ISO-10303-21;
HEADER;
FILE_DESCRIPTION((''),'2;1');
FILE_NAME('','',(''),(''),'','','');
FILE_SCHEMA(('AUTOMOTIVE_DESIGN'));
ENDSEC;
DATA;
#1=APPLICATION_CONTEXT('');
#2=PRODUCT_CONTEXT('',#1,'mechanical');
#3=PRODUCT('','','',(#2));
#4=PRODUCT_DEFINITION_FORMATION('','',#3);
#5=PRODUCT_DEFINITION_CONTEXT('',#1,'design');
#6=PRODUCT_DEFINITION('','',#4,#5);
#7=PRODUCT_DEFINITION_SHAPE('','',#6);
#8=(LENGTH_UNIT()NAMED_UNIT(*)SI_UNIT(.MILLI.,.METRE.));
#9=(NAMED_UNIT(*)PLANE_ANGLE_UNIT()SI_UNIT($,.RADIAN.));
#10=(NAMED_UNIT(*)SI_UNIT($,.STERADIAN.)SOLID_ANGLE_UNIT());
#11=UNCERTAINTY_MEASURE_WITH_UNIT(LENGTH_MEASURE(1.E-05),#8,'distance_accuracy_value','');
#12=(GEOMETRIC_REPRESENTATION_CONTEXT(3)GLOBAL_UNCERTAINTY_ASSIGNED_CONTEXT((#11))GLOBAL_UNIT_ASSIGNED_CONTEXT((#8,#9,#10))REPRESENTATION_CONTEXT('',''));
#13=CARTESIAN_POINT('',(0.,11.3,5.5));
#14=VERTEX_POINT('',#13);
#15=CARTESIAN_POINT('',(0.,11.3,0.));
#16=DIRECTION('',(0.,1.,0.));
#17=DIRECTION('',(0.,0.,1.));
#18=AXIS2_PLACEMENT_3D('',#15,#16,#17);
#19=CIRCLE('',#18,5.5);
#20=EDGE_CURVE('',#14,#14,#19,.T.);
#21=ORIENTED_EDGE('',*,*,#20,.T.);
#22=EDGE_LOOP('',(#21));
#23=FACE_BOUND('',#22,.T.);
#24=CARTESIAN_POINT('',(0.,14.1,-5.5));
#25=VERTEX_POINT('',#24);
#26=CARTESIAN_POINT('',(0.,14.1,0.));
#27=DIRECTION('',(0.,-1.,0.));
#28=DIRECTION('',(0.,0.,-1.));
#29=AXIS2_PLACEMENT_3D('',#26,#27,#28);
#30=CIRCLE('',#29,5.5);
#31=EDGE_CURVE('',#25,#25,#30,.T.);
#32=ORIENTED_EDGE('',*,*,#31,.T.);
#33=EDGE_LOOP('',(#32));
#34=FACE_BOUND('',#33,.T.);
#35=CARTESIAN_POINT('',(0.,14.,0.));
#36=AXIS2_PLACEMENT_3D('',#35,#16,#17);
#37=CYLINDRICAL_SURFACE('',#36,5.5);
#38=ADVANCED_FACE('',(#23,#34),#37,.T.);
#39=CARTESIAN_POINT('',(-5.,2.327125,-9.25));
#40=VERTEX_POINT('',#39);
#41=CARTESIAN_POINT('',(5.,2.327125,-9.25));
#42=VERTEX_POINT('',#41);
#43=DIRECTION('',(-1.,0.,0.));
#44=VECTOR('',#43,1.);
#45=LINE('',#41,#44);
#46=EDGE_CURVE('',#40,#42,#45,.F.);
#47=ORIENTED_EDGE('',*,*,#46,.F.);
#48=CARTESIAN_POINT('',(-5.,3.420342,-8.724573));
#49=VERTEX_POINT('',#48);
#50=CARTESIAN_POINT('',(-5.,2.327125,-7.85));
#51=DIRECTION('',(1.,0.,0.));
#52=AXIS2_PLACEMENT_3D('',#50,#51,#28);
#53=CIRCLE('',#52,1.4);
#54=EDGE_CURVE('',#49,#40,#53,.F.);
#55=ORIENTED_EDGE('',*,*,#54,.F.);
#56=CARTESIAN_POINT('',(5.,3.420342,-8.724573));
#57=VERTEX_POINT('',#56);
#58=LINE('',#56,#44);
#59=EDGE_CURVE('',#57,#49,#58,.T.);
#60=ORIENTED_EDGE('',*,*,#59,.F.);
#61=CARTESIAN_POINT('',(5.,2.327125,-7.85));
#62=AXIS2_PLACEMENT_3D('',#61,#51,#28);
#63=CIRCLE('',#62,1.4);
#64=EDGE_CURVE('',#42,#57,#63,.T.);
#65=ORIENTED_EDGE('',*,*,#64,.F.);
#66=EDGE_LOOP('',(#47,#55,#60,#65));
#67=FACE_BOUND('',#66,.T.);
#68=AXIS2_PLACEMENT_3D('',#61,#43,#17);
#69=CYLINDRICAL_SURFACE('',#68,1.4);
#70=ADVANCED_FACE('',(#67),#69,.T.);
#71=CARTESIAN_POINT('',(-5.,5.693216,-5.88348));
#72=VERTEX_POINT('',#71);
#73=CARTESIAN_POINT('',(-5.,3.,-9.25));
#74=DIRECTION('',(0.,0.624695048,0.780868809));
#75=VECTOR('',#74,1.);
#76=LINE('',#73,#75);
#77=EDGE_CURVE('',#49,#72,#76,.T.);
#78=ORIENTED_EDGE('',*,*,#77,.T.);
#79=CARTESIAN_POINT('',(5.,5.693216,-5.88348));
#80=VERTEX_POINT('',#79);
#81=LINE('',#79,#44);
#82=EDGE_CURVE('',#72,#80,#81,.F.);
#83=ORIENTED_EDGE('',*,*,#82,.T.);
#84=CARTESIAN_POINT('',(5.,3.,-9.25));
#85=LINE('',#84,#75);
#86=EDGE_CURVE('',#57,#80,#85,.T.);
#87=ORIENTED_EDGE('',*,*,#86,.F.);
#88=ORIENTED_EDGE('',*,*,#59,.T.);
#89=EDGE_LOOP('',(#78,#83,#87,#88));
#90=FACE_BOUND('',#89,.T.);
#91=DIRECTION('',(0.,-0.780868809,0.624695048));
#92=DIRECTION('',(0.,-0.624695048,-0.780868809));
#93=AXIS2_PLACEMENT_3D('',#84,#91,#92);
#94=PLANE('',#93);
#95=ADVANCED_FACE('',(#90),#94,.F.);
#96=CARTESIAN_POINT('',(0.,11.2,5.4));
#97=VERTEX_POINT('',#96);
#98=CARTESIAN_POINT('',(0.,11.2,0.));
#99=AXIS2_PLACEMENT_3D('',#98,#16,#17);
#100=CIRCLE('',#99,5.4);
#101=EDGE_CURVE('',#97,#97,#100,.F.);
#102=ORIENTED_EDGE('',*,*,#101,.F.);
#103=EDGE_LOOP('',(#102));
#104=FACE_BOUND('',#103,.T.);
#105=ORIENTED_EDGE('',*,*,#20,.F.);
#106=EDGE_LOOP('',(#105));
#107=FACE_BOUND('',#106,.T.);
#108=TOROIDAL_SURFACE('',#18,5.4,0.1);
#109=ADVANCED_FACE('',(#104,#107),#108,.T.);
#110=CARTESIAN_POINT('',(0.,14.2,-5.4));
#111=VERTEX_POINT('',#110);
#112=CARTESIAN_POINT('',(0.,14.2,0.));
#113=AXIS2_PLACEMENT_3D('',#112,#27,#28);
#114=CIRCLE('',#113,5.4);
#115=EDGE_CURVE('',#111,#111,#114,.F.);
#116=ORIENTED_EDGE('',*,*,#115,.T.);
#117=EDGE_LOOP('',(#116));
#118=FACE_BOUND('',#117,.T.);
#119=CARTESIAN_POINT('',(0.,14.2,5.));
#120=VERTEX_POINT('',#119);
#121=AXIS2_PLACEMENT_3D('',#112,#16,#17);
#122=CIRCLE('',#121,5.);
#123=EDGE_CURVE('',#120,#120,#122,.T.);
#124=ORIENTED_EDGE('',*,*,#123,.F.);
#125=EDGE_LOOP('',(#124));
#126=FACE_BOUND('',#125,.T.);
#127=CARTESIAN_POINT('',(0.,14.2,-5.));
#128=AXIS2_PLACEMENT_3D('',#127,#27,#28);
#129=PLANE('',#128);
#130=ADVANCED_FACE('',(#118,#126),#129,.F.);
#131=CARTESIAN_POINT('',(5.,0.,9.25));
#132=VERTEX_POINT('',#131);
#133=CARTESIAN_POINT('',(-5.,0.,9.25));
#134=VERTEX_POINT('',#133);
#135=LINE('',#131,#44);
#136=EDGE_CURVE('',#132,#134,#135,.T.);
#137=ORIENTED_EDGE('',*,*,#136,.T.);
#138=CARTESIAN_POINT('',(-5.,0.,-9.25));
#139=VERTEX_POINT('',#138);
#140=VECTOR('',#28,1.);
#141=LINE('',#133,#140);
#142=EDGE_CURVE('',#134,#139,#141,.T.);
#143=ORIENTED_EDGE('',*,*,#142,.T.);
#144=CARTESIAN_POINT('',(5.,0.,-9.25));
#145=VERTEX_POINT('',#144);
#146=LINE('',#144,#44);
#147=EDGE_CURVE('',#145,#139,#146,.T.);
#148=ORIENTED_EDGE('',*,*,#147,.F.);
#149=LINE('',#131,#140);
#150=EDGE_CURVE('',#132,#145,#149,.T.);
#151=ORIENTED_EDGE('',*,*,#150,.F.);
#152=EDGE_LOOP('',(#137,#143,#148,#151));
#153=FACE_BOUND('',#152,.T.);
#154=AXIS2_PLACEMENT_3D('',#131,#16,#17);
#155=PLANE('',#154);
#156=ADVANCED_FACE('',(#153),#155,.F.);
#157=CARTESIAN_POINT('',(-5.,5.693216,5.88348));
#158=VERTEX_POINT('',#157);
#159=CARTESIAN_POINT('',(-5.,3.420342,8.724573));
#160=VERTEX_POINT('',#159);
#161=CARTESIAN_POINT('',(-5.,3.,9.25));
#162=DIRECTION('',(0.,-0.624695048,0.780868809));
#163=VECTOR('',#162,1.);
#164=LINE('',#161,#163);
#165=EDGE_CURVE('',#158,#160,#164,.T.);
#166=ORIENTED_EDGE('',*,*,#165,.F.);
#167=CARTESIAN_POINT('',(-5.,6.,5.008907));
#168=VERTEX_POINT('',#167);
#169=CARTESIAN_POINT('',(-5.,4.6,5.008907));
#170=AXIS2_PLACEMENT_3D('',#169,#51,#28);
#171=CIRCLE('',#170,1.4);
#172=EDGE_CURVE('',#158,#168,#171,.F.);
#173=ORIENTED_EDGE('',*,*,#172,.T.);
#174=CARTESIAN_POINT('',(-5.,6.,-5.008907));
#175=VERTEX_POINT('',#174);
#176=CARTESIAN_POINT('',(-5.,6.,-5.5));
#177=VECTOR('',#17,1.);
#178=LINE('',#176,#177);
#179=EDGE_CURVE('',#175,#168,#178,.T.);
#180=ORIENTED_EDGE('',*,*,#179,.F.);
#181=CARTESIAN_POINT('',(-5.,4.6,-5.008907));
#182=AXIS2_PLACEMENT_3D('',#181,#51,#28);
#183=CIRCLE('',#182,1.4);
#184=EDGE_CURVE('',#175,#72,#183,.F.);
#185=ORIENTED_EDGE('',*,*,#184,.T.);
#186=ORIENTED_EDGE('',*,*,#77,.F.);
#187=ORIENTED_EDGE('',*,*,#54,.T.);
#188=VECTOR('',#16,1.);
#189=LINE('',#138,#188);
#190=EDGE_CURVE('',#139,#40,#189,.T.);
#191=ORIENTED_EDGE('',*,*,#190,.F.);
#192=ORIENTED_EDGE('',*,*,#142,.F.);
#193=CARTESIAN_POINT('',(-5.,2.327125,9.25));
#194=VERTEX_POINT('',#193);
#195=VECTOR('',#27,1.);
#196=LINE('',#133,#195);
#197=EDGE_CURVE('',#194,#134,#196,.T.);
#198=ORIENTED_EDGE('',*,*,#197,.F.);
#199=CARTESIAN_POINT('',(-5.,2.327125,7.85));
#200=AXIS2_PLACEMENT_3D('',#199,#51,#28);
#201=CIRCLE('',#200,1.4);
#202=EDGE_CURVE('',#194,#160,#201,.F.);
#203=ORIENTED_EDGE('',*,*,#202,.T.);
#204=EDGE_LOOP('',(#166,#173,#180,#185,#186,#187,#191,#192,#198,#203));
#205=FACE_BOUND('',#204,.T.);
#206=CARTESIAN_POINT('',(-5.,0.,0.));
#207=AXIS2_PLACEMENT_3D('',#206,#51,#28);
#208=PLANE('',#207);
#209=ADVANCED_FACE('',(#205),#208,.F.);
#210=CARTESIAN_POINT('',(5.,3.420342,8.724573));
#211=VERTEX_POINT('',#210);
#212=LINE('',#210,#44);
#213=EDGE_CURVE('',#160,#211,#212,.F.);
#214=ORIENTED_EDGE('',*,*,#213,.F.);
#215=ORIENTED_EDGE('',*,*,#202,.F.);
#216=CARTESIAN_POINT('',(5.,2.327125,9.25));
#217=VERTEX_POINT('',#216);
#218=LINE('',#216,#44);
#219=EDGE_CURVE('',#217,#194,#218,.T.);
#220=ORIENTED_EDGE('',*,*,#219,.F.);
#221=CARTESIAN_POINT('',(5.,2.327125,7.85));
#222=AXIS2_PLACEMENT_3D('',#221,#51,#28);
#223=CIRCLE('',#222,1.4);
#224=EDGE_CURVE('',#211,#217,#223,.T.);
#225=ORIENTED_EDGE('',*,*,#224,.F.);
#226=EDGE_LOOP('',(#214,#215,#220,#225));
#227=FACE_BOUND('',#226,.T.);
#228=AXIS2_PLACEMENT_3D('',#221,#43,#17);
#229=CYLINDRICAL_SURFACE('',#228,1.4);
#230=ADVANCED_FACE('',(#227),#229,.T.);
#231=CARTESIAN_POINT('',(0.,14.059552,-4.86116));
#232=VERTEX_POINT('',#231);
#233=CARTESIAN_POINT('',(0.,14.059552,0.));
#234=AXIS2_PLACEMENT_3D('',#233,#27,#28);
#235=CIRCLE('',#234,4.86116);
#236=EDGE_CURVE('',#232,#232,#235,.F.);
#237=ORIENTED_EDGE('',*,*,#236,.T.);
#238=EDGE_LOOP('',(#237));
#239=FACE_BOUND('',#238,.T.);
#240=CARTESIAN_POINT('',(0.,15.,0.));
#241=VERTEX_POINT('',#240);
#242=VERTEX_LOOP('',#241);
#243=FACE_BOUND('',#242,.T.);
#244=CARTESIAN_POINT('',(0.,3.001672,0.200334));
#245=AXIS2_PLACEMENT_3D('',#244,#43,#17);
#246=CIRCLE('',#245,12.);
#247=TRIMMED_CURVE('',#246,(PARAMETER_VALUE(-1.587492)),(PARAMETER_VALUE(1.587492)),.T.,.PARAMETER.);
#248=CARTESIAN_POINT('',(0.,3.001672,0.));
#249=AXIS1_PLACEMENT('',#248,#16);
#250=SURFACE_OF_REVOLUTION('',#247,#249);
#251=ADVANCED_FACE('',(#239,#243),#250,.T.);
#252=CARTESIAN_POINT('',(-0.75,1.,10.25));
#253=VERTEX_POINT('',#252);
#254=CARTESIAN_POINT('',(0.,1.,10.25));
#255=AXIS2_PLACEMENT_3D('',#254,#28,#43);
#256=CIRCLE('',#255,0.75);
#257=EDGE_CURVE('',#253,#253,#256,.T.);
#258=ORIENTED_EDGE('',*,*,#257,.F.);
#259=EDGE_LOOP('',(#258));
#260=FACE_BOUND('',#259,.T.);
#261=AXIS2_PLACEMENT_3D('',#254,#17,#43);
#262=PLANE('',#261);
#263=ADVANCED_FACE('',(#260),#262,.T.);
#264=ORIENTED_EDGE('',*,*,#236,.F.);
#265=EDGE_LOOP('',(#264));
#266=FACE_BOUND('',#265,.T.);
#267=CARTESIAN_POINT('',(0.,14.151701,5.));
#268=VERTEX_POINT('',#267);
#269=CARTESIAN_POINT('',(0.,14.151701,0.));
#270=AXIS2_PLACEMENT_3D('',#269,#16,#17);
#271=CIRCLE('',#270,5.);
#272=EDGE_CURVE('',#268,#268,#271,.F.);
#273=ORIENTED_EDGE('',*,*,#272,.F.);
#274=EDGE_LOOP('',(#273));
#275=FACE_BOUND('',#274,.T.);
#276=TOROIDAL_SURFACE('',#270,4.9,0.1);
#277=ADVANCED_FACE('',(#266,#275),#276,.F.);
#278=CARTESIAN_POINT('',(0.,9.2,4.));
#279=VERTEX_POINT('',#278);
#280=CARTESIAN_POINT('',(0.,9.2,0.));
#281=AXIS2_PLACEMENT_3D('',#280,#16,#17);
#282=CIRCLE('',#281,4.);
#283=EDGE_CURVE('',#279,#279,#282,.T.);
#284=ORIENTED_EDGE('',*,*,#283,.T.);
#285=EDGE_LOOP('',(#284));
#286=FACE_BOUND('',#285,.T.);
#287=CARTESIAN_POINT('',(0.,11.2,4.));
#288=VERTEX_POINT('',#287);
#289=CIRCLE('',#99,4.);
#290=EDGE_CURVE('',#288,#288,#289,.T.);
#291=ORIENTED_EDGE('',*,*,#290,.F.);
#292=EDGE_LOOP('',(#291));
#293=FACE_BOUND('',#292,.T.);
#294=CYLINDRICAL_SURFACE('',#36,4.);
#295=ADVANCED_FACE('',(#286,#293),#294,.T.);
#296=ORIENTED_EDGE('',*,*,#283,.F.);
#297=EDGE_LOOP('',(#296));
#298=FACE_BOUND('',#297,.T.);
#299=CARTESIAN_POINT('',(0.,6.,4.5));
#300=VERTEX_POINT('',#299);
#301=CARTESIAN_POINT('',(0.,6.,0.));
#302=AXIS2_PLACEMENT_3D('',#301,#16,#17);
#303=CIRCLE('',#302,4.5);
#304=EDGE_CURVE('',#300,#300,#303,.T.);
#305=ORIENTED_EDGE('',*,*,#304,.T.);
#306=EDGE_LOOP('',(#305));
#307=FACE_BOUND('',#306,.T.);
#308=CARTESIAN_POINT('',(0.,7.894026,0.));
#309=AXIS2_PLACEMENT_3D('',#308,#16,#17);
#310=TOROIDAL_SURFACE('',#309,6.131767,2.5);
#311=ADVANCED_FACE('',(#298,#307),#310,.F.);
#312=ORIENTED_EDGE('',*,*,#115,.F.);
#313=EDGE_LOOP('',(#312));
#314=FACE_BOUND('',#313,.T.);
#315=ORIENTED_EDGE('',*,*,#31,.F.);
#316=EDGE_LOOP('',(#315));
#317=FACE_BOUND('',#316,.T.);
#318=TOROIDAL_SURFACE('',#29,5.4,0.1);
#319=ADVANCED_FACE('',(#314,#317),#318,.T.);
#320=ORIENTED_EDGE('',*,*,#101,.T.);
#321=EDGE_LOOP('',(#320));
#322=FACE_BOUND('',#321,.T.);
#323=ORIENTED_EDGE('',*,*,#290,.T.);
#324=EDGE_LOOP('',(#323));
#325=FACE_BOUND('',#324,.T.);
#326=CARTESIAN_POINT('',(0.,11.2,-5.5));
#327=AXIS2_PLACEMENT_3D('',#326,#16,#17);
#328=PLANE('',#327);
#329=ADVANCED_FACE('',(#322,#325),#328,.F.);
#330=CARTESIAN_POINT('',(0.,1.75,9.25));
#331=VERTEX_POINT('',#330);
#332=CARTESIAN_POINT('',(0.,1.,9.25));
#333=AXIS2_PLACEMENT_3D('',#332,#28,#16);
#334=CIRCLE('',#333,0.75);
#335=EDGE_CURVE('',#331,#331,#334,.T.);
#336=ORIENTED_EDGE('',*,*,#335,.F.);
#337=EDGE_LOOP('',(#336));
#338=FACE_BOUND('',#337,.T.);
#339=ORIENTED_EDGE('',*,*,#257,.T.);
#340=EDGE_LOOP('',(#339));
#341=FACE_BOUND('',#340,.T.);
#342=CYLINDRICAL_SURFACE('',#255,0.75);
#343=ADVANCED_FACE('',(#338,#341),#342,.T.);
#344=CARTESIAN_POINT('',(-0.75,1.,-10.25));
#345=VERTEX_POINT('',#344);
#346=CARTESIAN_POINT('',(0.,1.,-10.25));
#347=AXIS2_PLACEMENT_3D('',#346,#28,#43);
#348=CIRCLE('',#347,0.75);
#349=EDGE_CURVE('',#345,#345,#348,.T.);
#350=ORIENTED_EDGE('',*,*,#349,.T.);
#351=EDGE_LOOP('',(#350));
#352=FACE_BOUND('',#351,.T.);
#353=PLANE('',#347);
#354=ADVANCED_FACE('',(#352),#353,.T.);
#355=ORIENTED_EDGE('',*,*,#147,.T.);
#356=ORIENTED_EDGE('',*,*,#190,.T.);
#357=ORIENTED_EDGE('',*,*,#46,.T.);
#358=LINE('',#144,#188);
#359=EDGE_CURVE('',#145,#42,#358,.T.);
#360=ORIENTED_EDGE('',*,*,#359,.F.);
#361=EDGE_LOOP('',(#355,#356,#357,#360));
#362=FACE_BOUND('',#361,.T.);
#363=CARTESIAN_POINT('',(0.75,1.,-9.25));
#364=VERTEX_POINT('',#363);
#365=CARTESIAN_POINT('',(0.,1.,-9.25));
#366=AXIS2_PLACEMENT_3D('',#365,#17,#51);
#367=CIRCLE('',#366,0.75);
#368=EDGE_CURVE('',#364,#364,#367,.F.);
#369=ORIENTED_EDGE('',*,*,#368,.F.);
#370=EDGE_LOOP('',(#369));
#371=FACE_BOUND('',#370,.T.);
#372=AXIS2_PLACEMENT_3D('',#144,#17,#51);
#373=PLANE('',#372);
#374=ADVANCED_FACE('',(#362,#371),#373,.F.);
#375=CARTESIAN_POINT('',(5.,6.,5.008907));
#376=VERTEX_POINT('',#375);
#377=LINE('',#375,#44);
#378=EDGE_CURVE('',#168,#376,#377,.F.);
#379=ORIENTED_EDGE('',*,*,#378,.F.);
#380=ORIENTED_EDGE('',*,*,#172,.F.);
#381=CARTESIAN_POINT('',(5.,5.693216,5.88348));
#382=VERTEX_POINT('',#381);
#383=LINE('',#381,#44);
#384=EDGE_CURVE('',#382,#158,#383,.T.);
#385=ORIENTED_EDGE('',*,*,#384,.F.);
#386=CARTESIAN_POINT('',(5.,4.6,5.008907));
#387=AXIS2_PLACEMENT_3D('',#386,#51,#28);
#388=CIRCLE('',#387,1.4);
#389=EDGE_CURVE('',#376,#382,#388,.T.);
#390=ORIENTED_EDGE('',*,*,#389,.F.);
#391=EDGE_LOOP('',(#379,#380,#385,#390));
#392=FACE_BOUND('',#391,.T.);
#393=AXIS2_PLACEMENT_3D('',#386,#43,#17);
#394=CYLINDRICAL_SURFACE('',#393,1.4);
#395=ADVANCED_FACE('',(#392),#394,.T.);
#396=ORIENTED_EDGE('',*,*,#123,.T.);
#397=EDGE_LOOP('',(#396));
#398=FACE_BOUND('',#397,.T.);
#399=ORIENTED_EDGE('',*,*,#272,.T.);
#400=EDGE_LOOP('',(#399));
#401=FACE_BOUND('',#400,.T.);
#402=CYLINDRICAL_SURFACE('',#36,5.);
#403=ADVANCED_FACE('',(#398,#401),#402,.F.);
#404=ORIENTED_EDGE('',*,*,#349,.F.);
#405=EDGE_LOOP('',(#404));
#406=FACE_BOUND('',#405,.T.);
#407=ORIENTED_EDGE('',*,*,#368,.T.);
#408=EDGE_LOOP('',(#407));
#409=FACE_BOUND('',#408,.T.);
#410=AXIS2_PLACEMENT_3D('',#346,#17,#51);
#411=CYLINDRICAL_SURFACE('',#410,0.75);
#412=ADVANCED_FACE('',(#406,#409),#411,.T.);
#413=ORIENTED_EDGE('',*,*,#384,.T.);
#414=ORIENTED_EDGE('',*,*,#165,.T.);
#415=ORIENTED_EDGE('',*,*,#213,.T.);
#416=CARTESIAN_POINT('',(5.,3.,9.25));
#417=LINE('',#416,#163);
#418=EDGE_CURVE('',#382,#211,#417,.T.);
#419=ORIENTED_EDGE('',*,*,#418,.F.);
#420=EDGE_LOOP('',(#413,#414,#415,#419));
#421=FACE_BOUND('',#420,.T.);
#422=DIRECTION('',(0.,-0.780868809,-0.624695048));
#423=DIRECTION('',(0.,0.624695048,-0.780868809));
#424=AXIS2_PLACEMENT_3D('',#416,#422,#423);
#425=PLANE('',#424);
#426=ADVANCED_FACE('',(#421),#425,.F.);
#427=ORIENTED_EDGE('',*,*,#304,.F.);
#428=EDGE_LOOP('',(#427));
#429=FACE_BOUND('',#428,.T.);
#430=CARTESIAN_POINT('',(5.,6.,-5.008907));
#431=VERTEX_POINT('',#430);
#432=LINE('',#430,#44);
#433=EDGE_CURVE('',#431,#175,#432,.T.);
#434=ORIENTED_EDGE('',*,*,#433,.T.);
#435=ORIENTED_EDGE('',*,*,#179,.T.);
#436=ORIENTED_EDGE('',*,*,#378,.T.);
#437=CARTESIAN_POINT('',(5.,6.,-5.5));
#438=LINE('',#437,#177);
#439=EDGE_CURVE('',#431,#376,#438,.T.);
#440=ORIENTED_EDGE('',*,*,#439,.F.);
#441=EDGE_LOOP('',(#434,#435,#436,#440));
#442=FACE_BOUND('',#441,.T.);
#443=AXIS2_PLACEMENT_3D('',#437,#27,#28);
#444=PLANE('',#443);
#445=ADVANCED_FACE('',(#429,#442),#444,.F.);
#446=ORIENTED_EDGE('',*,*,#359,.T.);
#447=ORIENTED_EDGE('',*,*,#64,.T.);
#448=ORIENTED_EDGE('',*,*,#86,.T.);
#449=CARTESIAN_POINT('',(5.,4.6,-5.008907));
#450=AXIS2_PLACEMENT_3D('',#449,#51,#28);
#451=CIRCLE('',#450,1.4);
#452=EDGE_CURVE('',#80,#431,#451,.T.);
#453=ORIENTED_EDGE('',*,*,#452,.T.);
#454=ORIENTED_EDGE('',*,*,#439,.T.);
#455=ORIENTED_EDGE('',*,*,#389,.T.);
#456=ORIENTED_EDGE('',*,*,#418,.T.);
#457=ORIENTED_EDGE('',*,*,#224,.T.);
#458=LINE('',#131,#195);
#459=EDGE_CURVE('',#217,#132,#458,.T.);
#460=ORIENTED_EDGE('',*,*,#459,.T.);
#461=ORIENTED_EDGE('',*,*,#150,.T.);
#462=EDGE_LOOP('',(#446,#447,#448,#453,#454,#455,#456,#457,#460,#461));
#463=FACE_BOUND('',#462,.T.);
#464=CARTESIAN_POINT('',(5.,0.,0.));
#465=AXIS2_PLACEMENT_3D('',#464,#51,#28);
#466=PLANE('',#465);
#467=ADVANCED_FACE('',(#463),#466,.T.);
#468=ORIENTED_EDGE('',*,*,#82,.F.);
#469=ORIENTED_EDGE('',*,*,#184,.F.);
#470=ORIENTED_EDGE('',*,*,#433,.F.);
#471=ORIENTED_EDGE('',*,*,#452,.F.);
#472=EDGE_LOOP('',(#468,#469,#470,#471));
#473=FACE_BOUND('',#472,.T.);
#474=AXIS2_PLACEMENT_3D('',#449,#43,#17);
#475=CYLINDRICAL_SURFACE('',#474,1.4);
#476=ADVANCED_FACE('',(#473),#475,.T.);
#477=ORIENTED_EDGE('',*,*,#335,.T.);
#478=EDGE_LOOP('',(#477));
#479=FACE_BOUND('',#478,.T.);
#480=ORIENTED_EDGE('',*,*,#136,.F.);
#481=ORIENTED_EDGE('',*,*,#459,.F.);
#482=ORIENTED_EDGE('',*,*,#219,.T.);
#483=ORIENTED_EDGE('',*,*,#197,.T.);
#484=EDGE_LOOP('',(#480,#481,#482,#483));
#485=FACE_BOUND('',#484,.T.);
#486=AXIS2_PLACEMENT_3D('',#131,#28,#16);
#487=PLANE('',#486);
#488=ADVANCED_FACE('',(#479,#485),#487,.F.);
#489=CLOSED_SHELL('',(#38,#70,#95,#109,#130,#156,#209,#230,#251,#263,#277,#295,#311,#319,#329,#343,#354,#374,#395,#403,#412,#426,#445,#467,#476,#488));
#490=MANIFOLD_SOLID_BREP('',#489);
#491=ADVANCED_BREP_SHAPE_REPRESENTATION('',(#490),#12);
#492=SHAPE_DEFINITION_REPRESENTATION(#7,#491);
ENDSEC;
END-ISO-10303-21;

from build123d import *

# Parameters (mm, degrees)
BOSS_EXTRUDE1_DEPTH = 5
FILLET1_R           = 0.1
FILLET2_R           = 1.4
SKETCH4_R           = 0.75
BOSS_EXTRUDE2_DEPTH = 1


with BuildPart() as part:
    # Sketch1 → Boss-Extrude1 (new, symmetric)
    with BuildSketch(Plane(origin=(0, 0, 0), x_dir=(0, 0, -1), z_dir=(1, 0, 0))):
        Polygon((-9.25, 0), (9.25, 0), (9.25, 3), (5.5, 6), (-5.5, 6), (-9.25, 3), align=None)
    extrude(amount=BOSS_EXTRUDE1_DEPTH, both=True)

    # Sketch2 → Revolve1 (revolve)
    with BuildSketch(Plane(origin=(0, 0, 0), x_dir=(0, 0, -1), z_dir=(1, 0, 0)), mode=Mode.PRIVATE) as revolve1_sk:
        with BuildLine():
            Line((0, 14), (0, 6))
            Line((0, 6), (4.5, 6))
            ThreePointArc((4.5, 6), (3.661737334, 7.508083958), (4, 9.2))
            Line((4, 9.2), (4, 11.2))
            Line((4, 11.2), (5.5, 11.2))
            Line((5.5, 11.2), (5.5, 14.2))
            Line((5.5, 14.2), (5, 14.2))
            Line((5, 14.2), (5, 14))
            Line((5, 14), (0, 14))
        make_face()
    revolve(revolve1_sk.sketch.rotate(Axis((0, 14, 0), (0, -1, 0)), 180), axis=Axis((0, 14, 0), (0, -1, 0)))

    # Sketch3 → Revolve2 (revolve)
    with BuildSketch(Plane(origin=(0, 0, 0), x_dir=(0, 0, -1), z_dir=(1, 0, 0))):
        with BuildLine():
            Line((0, 15), (0, 14.2))
            Line((0, 14.2), (0, 14))
            Line((0, 14), (-5, 14))
            ThreePointArc((-5, 14), (-2.553728094, 14.768640471), (0, 15))
        make_face()
    revolve(axis=Axis((0, 15, 0), (0, -1, 0)))

    # Fillet1
    fillet1_edges = [part.edges().sort_by_distance(p)[0] for p in [
        (0, 14, -5),
        (0, 11.2, -5.5),
        (0, 14.2, -5.5),
    ]]
    fillet(fillet1_edges, radius=FILLET1_R)

    # Fillet2
    fillet2_edges = [part.edges().sort_by_distance(p)[0] for p in [
        (0, 3, 9.25),
        (0, 6, 5.5),
        (0, 6, -5.5),
        (0, 3, -9.25),
    ]]
    fillet(fillet2_edges, radius=FILLET2_R)

    # Sketch4 → Boss-Extrude2 (add, symmetric)
    with BuildSketch(Plane(origin=(0, 0, -9.25), x_dir=(-1, 0, 0), z_dir=(0, 0, -1))):
        with Locations(Location((0, 1, 0), (0, 0, 180))):
            Circle(SKETCH4_R)
    boss_extrude2 = extrude(amount=BOSS_EXTRUDE2_DEPTH, both=True)

    # Mirror1: Boss-Extrude2 across plane
    add(boss_extrude2.mirror(Plane.XY))


solid = part.part
